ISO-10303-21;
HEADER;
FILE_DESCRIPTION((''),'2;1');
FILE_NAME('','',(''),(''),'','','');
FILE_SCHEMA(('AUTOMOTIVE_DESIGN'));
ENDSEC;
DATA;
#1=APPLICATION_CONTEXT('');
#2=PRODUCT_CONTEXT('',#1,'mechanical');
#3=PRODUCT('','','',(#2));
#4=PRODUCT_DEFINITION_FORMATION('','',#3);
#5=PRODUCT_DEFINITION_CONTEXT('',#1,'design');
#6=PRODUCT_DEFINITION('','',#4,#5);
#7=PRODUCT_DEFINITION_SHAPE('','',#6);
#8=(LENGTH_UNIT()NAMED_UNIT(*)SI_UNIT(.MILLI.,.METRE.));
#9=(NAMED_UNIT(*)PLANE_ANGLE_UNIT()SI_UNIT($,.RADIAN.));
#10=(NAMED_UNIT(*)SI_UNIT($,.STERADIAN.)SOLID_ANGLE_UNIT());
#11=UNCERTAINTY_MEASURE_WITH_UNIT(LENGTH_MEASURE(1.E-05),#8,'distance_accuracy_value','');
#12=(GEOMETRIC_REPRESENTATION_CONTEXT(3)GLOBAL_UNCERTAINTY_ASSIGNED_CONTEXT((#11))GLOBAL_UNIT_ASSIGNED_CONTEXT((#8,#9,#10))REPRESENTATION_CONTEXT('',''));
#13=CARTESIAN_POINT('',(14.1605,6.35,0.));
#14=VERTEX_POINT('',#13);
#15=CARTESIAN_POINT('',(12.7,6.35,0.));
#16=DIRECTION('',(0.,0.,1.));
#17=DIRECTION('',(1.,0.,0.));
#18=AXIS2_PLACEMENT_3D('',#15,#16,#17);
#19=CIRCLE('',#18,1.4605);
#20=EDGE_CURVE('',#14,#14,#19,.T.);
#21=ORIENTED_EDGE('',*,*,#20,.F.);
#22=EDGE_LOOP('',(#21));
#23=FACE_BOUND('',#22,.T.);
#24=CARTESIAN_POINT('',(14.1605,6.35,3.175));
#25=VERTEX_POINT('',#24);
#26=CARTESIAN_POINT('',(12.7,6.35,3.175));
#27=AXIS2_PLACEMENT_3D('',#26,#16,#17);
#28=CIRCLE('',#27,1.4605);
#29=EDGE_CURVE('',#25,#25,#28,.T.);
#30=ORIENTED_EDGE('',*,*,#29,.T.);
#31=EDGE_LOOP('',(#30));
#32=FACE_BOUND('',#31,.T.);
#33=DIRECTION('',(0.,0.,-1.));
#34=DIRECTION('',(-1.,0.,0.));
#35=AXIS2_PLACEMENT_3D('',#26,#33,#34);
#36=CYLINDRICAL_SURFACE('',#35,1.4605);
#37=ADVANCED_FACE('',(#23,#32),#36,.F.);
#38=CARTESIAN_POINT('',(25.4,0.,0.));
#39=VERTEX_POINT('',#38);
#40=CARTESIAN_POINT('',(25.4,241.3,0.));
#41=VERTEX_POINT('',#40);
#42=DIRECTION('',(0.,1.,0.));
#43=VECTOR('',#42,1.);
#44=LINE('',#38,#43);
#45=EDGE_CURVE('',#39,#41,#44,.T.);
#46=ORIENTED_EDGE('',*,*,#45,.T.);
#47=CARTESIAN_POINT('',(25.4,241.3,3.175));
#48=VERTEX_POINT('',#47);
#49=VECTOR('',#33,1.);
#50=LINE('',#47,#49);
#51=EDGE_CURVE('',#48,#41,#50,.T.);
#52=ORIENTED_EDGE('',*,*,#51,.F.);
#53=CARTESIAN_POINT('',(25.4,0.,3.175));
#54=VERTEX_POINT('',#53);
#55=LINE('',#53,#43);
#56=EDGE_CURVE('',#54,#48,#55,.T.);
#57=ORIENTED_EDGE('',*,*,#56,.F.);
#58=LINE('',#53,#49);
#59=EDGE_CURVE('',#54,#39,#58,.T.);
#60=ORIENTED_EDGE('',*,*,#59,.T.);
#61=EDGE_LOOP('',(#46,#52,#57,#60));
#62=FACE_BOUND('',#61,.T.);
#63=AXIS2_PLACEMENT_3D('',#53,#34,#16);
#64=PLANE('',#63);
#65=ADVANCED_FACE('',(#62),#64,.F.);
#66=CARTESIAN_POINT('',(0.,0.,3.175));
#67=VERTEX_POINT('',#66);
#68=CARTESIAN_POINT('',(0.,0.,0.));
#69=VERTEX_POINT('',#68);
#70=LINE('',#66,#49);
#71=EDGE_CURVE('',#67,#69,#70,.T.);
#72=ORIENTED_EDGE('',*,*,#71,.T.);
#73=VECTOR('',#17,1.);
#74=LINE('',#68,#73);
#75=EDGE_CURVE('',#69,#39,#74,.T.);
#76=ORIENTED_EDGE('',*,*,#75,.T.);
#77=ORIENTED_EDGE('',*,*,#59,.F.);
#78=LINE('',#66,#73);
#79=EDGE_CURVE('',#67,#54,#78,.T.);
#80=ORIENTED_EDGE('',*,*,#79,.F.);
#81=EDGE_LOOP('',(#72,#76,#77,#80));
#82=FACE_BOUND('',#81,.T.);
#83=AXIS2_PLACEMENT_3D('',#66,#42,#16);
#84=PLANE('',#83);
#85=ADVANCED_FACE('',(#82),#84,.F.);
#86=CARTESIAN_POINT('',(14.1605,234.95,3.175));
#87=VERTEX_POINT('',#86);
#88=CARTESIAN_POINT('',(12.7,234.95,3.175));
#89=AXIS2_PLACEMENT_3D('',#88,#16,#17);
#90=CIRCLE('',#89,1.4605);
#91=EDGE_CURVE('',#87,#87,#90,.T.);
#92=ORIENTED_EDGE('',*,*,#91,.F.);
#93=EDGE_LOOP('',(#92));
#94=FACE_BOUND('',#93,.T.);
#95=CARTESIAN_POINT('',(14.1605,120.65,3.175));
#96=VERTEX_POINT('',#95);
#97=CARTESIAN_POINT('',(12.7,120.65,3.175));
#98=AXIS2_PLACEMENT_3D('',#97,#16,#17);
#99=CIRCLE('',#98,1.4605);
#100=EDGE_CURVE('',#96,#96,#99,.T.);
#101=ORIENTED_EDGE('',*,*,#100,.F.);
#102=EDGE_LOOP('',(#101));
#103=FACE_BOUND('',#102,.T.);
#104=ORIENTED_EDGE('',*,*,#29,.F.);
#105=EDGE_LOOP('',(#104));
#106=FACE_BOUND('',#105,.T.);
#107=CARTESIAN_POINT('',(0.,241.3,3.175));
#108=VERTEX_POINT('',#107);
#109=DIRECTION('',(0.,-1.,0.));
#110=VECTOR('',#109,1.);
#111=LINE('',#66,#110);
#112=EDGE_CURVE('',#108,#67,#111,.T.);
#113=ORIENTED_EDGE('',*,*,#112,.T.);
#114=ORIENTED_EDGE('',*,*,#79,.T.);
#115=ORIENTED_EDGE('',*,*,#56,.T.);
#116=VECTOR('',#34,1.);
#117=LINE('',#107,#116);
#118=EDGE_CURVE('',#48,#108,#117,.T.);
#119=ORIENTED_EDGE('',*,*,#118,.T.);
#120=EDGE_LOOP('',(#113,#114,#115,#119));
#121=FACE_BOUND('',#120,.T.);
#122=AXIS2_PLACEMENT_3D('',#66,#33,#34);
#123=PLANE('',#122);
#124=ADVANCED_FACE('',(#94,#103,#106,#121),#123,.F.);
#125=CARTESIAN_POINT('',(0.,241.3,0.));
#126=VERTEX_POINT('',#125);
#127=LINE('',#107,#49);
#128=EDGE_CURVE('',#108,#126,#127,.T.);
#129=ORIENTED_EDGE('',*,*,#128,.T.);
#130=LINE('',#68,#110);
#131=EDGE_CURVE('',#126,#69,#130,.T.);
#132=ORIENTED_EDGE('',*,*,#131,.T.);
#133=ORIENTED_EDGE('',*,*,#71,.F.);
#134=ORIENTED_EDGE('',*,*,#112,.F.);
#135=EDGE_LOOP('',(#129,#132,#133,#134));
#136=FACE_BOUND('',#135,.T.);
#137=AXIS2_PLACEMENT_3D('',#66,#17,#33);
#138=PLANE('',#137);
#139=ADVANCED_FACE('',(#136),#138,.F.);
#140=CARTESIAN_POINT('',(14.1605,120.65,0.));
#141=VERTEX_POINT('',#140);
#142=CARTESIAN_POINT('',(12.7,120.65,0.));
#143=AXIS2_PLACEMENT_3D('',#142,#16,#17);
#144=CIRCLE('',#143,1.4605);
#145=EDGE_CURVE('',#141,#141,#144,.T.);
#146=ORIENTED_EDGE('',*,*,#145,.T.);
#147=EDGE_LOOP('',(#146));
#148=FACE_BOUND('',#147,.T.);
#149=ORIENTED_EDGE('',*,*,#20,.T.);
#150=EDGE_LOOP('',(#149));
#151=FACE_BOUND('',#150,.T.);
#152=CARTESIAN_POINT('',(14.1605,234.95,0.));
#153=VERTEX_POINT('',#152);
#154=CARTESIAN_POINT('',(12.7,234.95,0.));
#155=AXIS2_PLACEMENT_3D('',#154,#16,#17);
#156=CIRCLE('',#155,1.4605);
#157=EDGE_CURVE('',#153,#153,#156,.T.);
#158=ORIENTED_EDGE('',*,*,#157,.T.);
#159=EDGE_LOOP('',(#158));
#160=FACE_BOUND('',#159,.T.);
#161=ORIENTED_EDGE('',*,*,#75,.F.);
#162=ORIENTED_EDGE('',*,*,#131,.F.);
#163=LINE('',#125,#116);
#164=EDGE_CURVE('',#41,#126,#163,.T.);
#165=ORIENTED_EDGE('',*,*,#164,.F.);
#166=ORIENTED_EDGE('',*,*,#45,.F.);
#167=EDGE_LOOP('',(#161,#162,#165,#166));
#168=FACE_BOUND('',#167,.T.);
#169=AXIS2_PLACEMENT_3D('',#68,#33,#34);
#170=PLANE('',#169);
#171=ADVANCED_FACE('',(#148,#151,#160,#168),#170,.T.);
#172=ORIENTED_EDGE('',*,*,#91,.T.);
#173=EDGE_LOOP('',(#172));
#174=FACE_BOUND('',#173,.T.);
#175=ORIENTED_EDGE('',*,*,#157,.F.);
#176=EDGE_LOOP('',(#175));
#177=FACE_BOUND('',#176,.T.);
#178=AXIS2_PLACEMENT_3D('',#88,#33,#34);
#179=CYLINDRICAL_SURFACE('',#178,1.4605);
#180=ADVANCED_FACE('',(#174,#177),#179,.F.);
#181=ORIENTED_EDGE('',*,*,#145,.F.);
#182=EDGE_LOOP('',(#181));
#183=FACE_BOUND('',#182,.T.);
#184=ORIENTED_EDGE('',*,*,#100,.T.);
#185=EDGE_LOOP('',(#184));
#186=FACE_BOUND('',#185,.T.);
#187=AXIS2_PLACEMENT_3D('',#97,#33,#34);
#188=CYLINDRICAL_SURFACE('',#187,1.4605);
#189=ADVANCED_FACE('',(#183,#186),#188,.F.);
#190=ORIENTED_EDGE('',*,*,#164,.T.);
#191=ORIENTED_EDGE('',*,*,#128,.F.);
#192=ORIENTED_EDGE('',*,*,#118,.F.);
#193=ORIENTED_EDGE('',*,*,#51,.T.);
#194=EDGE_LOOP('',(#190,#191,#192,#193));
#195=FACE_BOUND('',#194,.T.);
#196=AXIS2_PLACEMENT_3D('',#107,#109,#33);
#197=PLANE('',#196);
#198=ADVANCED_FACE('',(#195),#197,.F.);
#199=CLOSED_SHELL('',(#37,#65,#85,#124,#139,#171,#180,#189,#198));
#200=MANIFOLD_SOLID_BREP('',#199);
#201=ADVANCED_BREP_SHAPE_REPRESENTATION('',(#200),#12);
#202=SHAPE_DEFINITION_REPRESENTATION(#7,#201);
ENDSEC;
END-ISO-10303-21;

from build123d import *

# Parameters (mm, degrees)
SKETCH2_W           = 25.4
SKETCH2_H           = 241.3
SKETCH2_R           = 1.4605
BOSS_EXTRUDE1_DEPTH = 3.175


with BuildPart() as part:
    # Sketch2 → Boss-Extrude1 (new body)
    with BuildSketch(Plane.XY):
        with Locations((12.7, 120.65)):
            Rectangle(SKETCH2_W, SKETCH2_H)
        with Locations((12.7, 234.95)):
            Circle(SKETCH2_R, mode=Mode.SUBTRACT)
        with Locations((12.7, 6.35)):
            Circle(SKETCH2_R, mode=Mode.SUBTRACT)
        with Locations((12.7, 120.65)):
            Circle(SKETCH2_R, mode=Mode.SUBTRACT)
    extrude(amount=BOSS_EXTRUDE1_DEPTH)


solid = part.part
